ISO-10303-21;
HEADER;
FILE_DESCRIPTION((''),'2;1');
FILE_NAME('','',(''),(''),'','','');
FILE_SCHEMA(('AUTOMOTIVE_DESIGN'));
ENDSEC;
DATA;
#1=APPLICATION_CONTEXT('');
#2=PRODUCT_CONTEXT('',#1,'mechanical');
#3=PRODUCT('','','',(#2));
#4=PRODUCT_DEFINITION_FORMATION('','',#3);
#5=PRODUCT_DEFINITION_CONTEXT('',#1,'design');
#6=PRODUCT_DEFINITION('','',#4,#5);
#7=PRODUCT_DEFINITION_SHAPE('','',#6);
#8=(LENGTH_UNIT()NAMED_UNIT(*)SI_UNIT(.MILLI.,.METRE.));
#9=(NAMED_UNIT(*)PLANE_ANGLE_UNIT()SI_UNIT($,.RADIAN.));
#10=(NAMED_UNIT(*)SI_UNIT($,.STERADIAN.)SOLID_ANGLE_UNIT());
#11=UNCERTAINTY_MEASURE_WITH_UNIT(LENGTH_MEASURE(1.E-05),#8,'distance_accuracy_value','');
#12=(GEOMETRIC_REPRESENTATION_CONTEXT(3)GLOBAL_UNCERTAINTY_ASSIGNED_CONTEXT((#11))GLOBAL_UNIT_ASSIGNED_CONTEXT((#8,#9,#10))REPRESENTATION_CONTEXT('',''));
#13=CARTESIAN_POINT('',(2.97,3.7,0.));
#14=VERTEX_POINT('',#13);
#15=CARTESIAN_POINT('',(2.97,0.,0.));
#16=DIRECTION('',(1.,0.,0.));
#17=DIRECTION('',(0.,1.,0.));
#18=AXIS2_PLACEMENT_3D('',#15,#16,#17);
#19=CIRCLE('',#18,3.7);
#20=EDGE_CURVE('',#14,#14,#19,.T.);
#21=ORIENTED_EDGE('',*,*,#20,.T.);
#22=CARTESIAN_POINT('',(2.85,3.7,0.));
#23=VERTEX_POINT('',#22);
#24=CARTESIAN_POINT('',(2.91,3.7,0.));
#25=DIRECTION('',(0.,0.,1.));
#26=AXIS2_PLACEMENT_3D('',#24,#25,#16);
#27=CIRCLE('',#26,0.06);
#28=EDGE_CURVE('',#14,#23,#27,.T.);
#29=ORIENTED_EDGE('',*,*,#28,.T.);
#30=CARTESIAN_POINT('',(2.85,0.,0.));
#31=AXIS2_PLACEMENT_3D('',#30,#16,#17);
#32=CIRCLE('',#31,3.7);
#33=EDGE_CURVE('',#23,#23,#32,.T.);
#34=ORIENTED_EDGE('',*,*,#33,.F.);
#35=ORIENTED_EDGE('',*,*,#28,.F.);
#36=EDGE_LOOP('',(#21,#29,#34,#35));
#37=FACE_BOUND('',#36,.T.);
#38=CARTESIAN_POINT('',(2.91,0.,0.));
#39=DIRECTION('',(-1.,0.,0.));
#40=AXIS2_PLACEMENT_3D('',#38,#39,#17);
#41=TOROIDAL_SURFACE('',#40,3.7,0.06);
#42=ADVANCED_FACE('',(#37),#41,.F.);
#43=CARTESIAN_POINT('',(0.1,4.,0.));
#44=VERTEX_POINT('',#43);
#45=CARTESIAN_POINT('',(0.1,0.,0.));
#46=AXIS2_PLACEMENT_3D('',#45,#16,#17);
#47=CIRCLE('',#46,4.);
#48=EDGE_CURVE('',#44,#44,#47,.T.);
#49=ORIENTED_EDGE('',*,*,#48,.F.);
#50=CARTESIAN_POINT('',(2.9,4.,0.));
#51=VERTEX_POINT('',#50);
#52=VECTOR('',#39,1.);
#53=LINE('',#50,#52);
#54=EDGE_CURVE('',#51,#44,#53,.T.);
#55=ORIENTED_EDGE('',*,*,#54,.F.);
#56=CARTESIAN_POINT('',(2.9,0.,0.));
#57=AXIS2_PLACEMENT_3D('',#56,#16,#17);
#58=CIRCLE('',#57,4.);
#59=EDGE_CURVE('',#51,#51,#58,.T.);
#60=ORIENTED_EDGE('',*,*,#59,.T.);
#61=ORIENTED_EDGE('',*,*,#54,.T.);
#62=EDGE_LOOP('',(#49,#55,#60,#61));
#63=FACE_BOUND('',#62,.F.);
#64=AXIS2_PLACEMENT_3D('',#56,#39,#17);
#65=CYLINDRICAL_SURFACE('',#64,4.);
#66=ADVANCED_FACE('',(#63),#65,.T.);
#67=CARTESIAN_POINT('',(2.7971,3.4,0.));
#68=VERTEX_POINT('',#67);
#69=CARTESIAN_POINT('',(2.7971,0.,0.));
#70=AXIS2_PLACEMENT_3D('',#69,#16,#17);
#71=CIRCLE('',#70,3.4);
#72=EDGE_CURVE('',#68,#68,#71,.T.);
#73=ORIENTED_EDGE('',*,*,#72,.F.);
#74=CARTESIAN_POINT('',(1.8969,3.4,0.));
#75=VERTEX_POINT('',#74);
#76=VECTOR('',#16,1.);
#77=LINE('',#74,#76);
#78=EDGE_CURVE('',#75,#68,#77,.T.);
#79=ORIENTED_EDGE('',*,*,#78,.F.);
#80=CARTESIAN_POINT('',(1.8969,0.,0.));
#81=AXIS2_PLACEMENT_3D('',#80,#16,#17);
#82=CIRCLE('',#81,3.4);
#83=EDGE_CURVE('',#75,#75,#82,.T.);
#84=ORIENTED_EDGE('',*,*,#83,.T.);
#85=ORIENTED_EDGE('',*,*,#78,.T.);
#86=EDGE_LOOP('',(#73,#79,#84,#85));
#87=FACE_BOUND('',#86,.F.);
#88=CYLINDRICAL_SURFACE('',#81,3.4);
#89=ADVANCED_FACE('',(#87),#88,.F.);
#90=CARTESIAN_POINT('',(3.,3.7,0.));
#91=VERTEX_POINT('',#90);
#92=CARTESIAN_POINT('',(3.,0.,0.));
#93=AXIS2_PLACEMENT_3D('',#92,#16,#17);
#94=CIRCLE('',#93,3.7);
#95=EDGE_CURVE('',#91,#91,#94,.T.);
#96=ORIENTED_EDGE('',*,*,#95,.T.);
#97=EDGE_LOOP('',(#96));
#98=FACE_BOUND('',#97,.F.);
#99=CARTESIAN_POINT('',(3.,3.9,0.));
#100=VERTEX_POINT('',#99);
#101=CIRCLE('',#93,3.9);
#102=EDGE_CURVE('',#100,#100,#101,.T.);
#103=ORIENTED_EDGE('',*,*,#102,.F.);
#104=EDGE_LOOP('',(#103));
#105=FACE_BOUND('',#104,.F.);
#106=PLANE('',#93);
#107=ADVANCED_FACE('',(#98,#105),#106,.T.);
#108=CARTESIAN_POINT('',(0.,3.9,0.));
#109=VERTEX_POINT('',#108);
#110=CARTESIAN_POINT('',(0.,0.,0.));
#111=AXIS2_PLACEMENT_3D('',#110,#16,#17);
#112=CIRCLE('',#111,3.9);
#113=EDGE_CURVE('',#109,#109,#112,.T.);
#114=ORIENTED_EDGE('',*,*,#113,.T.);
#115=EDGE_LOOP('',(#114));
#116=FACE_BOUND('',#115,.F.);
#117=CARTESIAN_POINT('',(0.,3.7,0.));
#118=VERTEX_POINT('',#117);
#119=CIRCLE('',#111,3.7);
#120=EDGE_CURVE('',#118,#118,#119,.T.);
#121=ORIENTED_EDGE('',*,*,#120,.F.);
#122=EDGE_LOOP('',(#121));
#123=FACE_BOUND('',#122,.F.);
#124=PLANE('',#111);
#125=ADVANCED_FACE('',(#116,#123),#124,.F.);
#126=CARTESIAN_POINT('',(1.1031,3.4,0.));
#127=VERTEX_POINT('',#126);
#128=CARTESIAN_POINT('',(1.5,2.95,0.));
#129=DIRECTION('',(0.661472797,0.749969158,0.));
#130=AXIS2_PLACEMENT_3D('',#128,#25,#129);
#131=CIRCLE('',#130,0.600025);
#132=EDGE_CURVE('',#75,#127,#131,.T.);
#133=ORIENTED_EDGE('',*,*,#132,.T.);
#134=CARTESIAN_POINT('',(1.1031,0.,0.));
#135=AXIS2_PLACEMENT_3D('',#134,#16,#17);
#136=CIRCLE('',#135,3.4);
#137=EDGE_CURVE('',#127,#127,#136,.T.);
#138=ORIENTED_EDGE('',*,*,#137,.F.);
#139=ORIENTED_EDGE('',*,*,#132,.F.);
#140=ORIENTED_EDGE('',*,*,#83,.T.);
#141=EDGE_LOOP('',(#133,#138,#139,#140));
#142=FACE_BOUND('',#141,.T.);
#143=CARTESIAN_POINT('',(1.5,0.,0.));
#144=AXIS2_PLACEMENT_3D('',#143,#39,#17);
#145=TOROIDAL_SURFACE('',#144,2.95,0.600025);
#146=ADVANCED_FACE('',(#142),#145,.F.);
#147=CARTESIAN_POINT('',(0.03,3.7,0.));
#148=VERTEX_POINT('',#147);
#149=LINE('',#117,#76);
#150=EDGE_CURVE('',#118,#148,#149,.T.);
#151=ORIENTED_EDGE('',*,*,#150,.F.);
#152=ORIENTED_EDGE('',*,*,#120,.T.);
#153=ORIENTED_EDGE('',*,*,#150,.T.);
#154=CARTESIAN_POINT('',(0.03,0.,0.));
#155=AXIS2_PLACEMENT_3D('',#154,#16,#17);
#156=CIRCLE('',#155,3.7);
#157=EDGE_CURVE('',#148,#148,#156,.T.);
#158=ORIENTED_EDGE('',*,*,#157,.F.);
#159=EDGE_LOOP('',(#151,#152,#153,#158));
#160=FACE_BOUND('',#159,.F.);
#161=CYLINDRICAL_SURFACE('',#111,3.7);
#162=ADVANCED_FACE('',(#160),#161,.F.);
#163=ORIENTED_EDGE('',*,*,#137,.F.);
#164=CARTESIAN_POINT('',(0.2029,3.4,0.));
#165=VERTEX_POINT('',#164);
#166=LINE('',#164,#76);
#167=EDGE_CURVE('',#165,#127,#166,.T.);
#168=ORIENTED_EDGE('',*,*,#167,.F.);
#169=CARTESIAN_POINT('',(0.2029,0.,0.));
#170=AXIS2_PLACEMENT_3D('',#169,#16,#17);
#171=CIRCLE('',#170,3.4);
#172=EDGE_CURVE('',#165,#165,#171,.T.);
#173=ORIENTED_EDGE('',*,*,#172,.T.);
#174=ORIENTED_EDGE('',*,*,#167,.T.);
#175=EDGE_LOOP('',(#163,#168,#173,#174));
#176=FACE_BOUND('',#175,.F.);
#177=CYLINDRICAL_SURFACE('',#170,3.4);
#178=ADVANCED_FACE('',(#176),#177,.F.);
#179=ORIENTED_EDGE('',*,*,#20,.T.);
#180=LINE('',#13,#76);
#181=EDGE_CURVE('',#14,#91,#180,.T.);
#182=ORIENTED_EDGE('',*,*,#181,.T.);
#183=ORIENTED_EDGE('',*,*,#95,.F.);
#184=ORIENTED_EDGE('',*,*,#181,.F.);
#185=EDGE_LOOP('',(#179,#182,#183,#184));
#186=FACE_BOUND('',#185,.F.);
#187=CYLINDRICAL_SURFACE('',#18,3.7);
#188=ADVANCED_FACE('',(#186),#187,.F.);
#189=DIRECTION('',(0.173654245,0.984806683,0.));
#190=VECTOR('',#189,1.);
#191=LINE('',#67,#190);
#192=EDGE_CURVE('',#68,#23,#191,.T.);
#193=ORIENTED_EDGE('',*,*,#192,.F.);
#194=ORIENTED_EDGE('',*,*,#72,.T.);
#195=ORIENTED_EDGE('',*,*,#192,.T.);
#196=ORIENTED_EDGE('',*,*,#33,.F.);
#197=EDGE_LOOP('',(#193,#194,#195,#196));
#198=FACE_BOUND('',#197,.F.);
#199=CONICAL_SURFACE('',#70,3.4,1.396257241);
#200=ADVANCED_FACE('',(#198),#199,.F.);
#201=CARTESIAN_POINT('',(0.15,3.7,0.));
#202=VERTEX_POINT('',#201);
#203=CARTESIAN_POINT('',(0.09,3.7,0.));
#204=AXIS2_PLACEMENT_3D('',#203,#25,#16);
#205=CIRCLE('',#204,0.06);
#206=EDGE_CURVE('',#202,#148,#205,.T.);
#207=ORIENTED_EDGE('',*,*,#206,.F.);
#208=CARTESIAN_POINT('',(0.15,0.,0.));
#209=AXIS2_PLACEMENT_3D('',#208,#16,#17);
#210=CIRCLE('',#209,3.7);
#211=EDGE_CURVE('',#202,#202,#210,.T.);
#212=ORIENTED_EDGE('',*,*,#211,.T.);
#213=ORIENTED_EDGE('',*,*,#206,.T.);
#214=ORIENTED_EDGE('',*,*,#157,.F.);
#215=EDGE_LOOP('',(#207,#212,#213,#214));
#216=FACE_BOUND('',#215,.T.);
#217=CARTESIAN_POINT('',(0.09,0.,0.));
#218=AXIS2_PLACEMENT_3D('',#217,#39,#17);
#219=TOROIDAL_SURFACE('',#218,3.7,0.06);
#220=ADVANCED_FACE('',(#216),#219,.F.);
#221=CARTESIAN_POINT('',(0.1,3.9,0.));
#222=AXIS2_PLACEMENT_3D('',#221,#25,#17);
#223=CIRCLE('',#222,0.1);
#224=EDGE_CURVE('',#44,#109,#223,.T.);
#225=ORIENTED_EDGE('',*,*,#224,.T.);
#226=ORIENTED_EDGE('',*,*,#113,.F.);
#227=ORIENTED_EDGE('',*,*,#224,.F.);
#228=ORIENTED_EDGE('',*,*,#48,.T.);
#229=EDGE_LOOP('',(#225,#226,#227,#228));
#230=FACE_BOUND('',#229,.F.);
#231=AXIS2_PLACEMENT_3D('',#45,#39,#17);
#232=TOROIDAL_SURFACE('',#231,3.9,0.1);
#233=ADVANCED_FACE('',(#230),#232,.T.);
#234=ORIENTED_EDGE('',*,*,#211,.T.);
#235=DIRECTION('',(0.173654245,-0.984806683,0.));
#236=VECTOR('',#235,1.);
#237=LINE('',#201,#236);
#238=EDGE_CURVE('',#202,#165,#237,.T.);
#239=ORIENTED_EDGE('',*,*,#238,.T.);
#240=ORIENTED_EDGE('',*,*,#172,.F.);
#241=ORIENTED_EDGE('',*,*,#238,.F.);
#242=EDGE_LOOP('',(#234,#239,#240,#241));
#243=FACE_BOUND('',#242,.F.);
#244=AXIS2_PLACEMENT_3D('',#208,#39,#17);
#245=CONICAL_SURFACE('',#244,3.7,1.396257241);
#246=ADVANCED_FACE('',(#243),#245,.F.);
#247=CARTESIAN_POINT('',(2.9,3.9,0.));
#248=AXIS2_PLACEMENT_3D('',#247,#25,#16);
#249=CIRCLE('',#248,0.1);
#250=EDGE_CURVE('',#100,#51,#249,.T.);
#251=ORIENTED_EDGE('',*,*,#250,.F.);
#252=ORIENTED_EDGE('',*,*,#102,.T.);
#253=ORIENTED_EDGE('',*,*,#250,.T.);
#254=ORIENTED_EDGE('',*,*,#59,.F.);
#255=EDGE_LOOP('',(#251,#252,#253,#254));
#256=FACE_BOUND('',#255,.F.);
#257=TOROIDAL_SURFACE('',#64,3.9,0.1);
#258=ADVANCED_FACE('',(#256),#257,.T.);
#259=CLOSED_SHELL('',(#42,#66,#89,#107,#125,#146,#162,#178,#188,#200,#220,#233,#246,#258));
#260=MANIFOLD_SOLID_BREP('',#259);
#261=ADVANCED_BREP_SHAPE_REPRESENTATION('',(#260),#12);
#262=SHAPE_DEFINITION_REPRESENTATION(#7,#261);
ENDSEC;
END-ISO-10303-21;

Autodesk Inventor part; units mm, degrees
ref_plane "YZ Plane" through (0, 0, 0) normal (1, 0, 0) x (0, 1, 0)
ref_plane "XZ Plane" through (0, 0, 0) normal (0, 1, 0) x (-1, 0, 0)
ref_plane "XY Plane" through (0, 0, 0) normal (0, 0, 1) x (1, 0, 0)
sketch "Sketch_6" plane through (0, 0, 0) normal (0, 0, 1) x (1, 0, 0)
  line L0 (50, 0) -> (-50, 0)
  line L1 (0, 3.9) -> (0, 3.7)
  line L2 (0, 3.7) -> (0.03, 3.7)
  arc A0 (0.15, 3.7) -> (0.03, 3.7) centre (0.09, 3.7) ccw
  line L3 (0.15, 3.7) -> (0.2029, 3.4)
  line L4 (0.2029, 3.4) -> (1.1031, 3.4)
  arc A1 (1.8969, 3.4) -> (1.1031, 3.4) centre (1.5, 2.95) ccw
  line L5 (1.8969, 3.4) -> (2.7971, 3.4)
  line L6 (2.7971, 3.4) -> (2.85, 3.7)
  arc A2 (2.97, 3.7) -> (2.85, 3.7) centre (2.91, 3.7) ccw
  line L7 (2.97, 3.7) -> (3, 3.7)
  line L8 (3, 3.7) -> (3, 3.9)
  arc A3 (3, 3.9) -> (2.9, 4) centre (2.9, 3.9) ccw
  line L9 (2.9, 4) -> (0.1, 4)
  arc A4 (0.1, 4) -> (0, 3.9) centre (0.1, 3.9) ccw
revolve "Revolution1" add sketch "Sketch_6" angle 360 about axis through (50, 0, 0) along (1, 0, 0)
properties part number "W 637/4 X-2Z_PART2"
